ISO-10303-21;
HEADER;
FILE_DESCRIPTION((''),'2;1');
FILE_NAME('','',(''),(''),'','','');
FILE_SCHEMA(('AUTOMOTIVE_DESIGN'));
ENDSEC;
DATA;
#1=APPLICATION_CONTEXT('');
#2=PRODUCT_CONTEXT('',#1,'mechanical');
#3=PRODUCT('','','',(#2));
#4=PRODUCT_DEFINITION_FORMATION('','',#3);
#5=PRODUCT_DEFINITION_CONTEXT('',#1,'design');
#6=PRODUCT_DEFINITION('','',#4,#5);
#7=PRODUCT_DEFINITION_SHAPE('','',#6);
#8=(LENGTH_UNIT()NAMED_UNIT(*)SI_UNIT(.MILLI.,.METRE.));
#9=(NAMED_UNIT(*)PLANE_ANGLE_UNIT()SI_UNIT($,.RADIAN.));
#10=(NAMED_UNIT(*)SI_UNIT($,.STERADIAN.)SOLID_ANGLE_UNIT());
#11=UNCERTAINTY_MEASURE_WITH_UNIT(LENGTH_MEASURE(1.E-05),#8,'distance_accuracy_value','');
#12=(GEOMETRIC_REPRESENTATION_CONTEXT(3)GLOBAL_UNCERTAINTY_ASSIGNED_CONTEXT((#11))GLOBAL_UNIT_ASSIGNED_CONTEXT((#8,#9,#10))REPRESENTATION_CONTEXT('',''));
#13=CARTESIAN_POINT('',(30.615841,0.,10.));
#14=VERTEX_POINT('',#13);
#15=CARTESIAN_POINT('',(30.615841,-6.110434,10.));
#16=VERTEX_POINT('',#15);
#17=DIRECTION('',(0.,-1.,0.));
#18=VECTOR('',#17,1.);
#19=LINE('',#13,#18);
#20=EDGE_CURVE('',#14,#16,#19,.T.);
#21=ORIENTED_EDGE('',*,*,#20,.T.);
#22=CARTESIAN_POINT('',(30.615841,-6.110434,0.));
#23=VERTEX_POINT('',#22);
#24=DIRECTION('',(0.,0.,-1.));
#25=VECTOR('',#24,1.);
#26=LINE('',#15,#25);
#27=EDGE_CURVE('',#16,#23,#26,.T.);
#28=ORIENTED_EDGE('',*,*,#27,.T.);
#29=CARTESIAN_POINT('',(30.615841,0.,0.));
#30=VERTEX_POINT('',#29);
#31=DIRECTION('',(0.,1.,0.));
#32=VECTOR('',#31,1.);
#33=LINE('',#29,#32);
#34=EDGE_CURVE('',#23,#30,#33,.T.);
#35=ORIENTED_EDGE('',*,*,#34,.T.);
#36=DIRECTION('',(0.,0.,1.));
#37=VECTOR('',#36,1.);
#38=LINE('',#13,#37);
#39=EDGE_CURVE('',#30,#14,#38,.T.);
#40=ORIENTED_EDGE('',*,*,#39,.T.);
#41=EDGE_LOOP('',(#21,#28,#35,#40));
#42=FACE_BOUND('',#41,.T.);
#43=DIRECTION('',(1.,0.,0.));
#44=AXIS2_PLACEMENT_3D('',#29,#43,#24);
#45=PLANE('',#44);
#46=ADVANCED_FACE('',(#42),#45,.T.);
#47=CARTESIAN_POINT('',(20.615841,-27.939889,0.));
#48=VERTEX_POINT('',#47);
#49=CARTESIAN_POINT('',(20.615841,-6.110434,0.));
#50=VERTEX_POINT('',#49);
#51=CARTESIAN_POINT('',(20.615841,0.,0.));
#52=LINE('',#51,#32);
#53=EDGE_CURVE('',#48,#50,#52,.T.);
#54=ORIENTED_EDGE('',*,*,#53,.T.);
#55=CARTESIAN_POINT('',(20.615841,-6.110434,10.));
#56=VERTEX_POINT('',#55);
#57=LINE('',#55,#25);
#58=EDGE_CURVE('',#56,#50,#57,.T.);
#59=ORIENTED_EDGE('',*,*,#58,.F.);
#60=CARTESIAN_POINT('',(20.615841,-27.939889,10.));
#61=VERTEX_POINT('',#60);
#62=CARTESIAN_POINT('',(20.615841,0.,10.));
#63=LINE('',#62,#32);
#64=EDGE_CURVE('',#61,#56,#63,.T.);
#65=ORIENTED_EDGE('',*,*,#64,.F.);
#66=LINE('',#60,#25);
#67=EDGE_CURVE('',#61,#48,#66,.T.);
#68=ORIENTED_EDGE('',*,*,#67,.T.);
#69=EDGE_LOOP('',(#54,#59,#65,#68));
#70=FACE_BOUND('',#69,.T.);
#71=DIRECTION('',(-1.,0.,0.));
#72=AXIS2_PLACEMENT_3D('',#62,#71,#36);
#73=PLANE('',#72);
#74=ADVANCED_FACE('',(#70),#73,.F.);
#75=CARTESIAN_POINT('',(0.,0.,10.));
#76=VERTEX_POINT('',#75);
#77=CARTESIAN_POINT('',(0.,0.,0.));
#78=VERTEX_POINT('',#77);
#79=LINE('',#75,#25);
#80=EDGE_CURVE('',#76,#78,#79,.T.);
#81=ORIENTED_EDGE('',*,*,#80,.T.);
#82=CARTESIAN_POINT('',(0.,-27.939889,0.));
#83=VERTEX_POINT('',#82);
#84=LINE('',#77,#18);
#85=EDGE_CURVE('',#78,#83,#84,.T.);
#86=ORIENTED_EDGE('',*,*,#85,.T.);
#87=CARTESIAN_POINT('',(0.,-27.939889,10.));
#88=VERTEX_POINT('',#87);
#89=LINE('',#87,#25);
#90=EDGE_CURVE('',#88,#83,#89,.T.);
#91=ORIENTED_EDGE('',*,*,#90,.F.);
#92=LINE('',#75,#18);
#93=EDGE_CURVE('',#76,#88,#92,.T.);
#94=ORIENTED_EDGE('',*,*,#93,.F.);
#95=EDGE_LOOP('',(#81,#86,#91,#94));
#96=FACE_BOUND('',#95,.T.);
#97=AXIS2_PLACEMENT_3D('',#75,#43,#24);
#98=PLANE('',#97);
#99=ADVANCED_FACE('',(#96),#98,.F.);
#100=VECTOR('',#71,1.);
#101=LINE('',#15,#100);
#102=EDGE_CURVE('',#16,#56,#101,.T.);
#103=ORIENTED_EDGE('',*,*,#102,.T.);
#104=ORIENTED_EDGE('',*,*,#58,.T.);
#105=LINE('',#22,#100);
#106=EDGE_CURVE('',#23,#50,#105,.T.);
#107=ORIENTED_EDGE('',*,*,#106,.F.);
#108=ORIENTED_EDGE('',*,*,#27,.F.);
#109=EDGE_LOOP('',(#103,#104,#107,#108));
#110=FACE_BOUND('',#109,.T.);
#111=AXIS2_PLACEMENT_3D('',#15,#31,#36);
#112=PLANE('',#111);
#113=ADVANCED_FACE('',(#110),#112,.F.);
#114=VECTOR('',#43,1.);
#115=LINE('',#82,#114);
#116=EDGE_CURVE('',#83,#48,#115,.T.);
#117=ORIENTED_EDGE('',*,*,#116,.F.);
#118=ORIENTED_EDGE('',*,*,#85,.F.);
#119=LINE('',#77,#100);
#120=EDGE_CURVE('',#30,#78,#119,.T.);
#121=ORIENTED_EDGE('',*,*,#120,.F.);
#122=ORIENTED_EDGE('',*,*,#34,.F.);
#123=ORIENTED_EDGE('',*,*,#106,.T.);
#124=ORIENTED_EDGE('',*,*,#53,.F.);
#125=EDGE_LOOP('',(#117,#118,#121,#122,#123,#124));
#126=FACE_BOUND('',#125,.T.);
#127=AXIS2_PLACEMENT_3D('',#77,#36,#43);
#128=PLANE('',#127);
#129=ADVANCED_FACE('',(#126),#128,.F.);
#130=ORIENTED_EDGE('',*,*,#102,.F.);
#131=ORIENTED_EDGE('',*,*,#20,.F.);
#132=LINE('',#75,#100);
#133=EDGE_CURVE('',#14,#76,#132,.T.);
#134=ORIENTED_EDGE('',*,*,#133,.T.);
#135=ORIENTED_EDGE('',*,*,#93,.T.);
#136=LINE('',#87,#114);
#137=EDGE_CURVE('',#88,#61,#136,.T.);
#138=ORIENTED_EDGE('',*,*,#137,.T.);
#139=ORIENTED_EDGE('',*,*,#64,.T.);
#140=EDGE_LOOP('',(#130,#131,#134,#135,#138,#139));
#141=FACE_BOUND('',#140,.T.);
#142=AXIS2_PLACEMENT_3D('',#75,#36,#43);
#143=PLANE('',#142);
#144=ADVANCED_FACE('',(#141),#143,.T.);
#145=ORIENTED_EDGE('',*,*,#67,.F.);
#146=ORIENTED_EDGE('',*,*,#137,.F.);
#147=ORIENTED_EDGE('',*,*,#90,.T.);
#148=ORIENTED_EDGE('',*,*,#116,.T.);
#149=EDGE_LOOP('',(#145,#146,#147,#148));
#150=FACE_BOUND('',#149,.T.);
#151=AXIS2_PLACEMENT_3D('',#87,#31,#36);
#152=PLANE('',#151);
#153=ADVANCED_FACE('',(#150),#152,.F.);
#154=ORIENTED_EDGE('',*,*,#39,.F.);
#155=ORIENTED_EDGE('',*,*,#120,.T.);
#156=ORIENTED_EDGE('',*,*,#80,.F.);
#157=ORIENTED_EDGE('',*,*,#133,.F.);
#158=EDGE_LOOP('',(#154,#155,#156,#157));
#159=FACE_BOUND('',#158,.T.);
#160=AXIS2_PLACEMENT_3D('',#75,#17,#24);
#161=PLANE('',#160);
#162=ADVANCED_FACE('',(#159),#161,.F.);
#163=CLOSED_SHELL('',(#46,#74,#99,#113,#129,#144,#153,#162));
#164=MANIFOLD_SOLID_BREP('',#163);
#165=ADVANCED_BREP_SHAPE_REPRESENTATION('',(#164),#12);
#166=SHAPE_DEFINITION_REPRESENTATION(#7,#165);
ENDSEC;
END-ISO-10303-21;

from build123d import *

# Parameters (mm, degrees)
SKIZZE1_W                       = 20.615840772
SKIZZE1_H                       = 27.939889468
AUFSATZ_LINEAR_AUSTRAGEN1_DEPTH = 10
SKIZZE3_W                       = 10
SKIZZE3_H                       = 6.110433848
AUFSATZ_LINEAR_AUSTRAGEN2_DEPTH = 10


with BuildPart() as part:
    # Skizze1 → Aufsatz-Linear austragen1 (new body)
    with BuildSketch(Plane.XY):
        with Locations((10.307920386, -13.969944734)):
            Rectangle(SKIZZE1_W, SKIZZE1_H)
    extrude(amount=AUFSATZ_LINEAR_AUSTRAGEN1_DEPTH)

    # Skizze3 → Aufsatz-Linear austragen2 (add)
    with BuildSketch(Plane(origin=(20.615840772, 0, 0), x_dir=(0, 0, -1), z_dir=(1, 0, 0))):
        with Locations((-5, -3.055216924)):
            Rectangle(SKIZZE3_W, SKIZZE3_H)
    extrude(amount=AUFSATZ_LINEAR_AUSTRAGEN2_DEPTH)


solid = part.part
